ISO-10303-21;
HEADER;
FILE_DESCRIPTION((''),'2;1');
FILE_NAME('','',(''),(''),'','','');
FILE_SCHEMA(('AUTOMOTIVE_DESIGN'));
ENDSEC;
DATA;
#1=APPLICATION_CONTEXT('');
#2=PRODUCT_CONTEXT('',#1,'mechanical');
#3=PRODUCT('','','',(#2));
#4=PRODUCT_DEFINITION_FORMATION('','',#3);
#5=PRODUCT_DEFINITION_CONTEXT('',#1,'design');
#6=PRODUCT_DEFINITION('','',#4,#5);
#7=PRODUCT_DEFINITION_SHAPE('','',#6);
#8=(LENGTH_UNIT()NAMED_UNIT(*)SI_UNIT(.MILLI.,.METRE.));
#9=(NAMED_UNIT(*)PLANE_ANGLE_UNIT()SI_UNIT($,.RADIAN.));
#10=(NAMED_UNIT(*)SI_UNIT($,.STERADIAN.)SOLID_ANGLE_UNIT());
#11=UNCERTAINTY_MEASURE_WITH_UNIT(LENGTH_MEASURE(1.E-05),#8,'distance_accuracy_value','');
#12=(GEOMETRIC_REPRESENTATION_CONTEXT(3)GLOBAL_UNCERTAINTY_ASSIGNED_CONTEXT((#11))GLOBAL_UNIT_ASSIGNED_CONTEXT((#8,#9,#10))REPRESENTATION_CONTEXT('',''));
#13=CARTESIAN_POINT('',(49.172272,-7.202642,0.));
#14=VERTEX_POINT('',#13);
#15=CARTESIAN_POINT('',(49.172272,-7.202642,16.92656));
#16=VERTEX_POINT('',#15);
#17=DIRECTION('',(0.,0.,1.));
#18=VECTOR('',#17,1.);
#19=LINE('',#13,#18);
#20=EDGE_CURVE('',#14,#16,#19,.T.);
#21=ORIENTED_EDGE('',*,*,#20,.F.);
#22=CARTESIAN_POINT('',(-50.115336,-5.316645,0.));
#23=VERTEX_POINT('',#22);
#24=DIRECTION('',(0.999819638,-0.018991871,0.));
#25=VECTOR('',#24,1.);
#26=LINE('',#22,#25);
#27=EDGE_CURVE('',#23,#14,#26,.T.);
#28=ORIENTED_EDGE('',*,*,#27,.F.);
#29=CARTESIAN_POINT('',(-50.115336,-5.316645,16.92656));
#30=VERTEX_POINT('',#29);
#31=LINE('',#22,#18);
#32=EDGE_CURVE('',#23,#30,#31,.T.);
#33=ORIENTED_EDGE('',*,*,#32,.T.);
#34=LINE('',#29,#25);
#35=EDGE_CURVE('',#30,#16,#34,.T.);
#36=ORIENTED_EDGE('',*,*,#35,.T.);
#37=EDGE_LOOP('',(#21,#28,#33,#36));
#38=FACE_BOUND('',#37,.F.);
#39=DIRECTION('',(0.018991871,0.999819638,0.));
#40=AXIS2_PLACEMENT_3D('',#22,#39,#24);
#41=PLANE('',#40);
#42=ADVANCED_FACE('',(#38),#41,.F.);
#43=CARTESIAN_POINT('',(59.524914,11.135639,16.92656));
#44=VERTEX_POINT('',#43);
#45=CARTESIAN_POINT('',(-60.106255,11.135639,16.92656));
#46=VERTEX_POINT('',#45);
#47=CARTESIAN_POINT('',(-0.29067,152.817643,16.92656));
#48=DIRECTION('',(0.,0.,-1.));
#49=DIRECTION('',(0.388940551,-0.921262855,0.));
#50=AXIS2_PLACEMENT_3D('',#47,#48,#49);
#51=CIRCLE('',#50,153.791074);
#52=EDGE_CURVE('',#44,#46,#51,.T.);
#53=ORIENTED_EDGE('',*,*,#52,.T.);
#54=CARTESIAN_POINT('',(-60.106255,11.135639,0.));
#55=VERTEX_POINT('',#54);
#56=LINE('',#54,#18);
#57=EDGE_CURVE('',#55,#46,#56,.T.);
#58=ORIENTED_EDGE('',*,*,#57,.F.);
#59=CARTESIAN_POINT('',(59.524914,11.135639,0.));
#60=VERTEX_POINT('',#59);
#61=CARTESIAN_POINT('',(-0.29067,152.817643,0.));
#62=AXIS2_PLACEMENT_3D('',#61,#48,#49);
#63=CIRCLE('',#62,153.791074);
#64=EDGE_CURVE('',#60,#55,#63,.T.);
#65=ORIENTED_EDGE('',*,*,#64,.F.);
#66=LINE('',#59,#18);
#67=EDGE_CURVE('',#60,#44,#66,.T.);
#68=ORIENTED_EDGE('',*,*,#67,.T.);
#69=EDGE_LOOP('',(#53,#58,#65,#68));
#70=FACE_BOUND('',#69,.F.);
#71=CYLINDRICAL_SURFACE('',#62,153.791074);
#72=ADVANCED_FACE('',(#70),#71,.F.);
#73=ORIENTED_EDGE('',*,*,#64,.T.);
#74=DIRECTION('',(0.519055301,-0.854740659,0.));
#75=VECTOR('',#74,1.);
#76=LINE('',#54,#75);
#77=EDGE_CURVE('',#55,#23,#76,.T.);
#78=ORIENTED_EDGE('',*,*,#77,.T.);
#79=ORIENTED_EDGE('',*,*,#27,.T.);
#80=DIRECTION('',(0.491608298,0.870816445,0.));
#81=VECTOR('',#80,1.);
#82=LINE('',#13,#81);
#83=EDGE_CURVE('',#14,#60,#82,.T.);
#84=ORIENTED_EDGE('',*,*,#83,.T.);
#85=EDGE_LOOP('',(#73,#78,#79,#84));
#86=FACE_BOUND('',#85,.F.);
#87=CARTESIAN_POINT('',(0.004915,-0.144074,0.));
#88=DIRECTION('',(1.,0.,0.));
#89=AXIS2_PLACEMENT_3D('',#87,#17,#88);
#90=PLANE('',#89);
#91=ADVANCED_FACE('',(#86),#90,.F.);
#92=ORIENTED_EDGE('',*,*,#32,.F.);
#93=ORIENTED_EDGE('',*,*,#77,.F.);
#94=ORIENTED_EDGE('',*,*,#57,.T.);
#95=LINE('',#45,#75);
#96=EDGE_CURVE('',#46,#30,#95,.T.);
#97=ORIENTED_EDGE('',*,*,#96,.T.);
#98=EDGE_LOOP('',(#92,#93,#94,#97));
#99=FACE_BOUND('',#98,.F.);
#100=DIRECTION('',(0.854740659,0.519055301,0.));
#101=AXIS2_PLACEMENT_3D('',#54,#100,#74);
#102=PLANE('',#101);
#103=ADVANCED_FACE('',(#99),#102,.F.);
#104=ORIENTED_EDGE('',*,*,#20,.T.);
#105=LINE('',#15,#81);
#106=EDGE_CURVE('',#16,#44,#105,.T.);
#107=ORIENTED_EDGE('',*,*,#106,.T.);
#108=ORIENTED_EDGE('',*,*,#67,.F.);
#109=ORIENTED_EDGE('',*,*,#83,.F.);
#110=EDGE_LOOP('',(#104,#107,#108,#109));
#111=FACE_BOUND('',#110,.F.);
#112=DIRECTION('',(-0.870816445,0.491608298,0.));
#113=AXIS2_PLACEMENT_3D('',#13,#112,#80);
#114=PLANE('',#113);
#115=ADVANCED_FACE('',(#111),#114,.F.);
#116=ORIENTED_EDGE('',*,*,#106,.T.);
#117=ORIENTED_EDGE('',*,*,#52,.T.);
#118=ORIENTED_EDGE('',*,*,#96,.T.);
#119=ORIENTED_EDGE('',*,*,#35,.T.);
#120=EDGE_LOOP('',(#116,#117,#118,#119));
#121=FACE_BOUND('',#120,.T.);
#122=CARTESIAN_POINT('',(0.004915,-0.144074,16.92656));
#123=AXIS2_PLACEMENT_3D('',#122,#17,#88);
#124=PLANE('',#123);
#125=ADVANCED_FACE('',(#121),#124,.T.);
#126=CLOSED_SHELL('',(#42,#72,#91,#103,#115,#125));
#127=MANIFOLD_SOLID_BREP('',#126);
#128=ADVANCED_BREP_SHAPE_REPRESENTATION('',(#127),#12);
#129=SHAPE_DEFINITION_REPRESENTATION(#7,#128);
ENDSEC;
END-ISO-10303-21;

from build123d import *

# Parameters (mm, degrees)
F1_DEPTH = 17.272
F2_SCALE = 0.98


with BuildPart() as f1:
    # F0 (on Top) → F1 (new body)
    with BuildSketch(Plane.XY):
        with BuildLine():
            ThreePointArc((61.9663668393, 11.1356390892), (0.9300557493, -1.2205548463), (-60.1062553407, 11.1356390892))
            Line((-60.1062553407, 11.1356390892), (-49.9114394188, -5.6524057873))
            Line((-49.9114394188, -5.6524057873), (51.4024458826, -7.5768930838))
            Line((51.4024458826, -7.5768930838), (61.9663668393, 11.1356390892))
        make_face()
    extrude(amount=F1_DEPTH)


with BuildPart() as f1_1:
    # F2: moved
    add(f1.part.scale(F2_SCALE).moved(Location((-1.2021251068, 0.2227127818, 0))))


solid = f1_1.part
